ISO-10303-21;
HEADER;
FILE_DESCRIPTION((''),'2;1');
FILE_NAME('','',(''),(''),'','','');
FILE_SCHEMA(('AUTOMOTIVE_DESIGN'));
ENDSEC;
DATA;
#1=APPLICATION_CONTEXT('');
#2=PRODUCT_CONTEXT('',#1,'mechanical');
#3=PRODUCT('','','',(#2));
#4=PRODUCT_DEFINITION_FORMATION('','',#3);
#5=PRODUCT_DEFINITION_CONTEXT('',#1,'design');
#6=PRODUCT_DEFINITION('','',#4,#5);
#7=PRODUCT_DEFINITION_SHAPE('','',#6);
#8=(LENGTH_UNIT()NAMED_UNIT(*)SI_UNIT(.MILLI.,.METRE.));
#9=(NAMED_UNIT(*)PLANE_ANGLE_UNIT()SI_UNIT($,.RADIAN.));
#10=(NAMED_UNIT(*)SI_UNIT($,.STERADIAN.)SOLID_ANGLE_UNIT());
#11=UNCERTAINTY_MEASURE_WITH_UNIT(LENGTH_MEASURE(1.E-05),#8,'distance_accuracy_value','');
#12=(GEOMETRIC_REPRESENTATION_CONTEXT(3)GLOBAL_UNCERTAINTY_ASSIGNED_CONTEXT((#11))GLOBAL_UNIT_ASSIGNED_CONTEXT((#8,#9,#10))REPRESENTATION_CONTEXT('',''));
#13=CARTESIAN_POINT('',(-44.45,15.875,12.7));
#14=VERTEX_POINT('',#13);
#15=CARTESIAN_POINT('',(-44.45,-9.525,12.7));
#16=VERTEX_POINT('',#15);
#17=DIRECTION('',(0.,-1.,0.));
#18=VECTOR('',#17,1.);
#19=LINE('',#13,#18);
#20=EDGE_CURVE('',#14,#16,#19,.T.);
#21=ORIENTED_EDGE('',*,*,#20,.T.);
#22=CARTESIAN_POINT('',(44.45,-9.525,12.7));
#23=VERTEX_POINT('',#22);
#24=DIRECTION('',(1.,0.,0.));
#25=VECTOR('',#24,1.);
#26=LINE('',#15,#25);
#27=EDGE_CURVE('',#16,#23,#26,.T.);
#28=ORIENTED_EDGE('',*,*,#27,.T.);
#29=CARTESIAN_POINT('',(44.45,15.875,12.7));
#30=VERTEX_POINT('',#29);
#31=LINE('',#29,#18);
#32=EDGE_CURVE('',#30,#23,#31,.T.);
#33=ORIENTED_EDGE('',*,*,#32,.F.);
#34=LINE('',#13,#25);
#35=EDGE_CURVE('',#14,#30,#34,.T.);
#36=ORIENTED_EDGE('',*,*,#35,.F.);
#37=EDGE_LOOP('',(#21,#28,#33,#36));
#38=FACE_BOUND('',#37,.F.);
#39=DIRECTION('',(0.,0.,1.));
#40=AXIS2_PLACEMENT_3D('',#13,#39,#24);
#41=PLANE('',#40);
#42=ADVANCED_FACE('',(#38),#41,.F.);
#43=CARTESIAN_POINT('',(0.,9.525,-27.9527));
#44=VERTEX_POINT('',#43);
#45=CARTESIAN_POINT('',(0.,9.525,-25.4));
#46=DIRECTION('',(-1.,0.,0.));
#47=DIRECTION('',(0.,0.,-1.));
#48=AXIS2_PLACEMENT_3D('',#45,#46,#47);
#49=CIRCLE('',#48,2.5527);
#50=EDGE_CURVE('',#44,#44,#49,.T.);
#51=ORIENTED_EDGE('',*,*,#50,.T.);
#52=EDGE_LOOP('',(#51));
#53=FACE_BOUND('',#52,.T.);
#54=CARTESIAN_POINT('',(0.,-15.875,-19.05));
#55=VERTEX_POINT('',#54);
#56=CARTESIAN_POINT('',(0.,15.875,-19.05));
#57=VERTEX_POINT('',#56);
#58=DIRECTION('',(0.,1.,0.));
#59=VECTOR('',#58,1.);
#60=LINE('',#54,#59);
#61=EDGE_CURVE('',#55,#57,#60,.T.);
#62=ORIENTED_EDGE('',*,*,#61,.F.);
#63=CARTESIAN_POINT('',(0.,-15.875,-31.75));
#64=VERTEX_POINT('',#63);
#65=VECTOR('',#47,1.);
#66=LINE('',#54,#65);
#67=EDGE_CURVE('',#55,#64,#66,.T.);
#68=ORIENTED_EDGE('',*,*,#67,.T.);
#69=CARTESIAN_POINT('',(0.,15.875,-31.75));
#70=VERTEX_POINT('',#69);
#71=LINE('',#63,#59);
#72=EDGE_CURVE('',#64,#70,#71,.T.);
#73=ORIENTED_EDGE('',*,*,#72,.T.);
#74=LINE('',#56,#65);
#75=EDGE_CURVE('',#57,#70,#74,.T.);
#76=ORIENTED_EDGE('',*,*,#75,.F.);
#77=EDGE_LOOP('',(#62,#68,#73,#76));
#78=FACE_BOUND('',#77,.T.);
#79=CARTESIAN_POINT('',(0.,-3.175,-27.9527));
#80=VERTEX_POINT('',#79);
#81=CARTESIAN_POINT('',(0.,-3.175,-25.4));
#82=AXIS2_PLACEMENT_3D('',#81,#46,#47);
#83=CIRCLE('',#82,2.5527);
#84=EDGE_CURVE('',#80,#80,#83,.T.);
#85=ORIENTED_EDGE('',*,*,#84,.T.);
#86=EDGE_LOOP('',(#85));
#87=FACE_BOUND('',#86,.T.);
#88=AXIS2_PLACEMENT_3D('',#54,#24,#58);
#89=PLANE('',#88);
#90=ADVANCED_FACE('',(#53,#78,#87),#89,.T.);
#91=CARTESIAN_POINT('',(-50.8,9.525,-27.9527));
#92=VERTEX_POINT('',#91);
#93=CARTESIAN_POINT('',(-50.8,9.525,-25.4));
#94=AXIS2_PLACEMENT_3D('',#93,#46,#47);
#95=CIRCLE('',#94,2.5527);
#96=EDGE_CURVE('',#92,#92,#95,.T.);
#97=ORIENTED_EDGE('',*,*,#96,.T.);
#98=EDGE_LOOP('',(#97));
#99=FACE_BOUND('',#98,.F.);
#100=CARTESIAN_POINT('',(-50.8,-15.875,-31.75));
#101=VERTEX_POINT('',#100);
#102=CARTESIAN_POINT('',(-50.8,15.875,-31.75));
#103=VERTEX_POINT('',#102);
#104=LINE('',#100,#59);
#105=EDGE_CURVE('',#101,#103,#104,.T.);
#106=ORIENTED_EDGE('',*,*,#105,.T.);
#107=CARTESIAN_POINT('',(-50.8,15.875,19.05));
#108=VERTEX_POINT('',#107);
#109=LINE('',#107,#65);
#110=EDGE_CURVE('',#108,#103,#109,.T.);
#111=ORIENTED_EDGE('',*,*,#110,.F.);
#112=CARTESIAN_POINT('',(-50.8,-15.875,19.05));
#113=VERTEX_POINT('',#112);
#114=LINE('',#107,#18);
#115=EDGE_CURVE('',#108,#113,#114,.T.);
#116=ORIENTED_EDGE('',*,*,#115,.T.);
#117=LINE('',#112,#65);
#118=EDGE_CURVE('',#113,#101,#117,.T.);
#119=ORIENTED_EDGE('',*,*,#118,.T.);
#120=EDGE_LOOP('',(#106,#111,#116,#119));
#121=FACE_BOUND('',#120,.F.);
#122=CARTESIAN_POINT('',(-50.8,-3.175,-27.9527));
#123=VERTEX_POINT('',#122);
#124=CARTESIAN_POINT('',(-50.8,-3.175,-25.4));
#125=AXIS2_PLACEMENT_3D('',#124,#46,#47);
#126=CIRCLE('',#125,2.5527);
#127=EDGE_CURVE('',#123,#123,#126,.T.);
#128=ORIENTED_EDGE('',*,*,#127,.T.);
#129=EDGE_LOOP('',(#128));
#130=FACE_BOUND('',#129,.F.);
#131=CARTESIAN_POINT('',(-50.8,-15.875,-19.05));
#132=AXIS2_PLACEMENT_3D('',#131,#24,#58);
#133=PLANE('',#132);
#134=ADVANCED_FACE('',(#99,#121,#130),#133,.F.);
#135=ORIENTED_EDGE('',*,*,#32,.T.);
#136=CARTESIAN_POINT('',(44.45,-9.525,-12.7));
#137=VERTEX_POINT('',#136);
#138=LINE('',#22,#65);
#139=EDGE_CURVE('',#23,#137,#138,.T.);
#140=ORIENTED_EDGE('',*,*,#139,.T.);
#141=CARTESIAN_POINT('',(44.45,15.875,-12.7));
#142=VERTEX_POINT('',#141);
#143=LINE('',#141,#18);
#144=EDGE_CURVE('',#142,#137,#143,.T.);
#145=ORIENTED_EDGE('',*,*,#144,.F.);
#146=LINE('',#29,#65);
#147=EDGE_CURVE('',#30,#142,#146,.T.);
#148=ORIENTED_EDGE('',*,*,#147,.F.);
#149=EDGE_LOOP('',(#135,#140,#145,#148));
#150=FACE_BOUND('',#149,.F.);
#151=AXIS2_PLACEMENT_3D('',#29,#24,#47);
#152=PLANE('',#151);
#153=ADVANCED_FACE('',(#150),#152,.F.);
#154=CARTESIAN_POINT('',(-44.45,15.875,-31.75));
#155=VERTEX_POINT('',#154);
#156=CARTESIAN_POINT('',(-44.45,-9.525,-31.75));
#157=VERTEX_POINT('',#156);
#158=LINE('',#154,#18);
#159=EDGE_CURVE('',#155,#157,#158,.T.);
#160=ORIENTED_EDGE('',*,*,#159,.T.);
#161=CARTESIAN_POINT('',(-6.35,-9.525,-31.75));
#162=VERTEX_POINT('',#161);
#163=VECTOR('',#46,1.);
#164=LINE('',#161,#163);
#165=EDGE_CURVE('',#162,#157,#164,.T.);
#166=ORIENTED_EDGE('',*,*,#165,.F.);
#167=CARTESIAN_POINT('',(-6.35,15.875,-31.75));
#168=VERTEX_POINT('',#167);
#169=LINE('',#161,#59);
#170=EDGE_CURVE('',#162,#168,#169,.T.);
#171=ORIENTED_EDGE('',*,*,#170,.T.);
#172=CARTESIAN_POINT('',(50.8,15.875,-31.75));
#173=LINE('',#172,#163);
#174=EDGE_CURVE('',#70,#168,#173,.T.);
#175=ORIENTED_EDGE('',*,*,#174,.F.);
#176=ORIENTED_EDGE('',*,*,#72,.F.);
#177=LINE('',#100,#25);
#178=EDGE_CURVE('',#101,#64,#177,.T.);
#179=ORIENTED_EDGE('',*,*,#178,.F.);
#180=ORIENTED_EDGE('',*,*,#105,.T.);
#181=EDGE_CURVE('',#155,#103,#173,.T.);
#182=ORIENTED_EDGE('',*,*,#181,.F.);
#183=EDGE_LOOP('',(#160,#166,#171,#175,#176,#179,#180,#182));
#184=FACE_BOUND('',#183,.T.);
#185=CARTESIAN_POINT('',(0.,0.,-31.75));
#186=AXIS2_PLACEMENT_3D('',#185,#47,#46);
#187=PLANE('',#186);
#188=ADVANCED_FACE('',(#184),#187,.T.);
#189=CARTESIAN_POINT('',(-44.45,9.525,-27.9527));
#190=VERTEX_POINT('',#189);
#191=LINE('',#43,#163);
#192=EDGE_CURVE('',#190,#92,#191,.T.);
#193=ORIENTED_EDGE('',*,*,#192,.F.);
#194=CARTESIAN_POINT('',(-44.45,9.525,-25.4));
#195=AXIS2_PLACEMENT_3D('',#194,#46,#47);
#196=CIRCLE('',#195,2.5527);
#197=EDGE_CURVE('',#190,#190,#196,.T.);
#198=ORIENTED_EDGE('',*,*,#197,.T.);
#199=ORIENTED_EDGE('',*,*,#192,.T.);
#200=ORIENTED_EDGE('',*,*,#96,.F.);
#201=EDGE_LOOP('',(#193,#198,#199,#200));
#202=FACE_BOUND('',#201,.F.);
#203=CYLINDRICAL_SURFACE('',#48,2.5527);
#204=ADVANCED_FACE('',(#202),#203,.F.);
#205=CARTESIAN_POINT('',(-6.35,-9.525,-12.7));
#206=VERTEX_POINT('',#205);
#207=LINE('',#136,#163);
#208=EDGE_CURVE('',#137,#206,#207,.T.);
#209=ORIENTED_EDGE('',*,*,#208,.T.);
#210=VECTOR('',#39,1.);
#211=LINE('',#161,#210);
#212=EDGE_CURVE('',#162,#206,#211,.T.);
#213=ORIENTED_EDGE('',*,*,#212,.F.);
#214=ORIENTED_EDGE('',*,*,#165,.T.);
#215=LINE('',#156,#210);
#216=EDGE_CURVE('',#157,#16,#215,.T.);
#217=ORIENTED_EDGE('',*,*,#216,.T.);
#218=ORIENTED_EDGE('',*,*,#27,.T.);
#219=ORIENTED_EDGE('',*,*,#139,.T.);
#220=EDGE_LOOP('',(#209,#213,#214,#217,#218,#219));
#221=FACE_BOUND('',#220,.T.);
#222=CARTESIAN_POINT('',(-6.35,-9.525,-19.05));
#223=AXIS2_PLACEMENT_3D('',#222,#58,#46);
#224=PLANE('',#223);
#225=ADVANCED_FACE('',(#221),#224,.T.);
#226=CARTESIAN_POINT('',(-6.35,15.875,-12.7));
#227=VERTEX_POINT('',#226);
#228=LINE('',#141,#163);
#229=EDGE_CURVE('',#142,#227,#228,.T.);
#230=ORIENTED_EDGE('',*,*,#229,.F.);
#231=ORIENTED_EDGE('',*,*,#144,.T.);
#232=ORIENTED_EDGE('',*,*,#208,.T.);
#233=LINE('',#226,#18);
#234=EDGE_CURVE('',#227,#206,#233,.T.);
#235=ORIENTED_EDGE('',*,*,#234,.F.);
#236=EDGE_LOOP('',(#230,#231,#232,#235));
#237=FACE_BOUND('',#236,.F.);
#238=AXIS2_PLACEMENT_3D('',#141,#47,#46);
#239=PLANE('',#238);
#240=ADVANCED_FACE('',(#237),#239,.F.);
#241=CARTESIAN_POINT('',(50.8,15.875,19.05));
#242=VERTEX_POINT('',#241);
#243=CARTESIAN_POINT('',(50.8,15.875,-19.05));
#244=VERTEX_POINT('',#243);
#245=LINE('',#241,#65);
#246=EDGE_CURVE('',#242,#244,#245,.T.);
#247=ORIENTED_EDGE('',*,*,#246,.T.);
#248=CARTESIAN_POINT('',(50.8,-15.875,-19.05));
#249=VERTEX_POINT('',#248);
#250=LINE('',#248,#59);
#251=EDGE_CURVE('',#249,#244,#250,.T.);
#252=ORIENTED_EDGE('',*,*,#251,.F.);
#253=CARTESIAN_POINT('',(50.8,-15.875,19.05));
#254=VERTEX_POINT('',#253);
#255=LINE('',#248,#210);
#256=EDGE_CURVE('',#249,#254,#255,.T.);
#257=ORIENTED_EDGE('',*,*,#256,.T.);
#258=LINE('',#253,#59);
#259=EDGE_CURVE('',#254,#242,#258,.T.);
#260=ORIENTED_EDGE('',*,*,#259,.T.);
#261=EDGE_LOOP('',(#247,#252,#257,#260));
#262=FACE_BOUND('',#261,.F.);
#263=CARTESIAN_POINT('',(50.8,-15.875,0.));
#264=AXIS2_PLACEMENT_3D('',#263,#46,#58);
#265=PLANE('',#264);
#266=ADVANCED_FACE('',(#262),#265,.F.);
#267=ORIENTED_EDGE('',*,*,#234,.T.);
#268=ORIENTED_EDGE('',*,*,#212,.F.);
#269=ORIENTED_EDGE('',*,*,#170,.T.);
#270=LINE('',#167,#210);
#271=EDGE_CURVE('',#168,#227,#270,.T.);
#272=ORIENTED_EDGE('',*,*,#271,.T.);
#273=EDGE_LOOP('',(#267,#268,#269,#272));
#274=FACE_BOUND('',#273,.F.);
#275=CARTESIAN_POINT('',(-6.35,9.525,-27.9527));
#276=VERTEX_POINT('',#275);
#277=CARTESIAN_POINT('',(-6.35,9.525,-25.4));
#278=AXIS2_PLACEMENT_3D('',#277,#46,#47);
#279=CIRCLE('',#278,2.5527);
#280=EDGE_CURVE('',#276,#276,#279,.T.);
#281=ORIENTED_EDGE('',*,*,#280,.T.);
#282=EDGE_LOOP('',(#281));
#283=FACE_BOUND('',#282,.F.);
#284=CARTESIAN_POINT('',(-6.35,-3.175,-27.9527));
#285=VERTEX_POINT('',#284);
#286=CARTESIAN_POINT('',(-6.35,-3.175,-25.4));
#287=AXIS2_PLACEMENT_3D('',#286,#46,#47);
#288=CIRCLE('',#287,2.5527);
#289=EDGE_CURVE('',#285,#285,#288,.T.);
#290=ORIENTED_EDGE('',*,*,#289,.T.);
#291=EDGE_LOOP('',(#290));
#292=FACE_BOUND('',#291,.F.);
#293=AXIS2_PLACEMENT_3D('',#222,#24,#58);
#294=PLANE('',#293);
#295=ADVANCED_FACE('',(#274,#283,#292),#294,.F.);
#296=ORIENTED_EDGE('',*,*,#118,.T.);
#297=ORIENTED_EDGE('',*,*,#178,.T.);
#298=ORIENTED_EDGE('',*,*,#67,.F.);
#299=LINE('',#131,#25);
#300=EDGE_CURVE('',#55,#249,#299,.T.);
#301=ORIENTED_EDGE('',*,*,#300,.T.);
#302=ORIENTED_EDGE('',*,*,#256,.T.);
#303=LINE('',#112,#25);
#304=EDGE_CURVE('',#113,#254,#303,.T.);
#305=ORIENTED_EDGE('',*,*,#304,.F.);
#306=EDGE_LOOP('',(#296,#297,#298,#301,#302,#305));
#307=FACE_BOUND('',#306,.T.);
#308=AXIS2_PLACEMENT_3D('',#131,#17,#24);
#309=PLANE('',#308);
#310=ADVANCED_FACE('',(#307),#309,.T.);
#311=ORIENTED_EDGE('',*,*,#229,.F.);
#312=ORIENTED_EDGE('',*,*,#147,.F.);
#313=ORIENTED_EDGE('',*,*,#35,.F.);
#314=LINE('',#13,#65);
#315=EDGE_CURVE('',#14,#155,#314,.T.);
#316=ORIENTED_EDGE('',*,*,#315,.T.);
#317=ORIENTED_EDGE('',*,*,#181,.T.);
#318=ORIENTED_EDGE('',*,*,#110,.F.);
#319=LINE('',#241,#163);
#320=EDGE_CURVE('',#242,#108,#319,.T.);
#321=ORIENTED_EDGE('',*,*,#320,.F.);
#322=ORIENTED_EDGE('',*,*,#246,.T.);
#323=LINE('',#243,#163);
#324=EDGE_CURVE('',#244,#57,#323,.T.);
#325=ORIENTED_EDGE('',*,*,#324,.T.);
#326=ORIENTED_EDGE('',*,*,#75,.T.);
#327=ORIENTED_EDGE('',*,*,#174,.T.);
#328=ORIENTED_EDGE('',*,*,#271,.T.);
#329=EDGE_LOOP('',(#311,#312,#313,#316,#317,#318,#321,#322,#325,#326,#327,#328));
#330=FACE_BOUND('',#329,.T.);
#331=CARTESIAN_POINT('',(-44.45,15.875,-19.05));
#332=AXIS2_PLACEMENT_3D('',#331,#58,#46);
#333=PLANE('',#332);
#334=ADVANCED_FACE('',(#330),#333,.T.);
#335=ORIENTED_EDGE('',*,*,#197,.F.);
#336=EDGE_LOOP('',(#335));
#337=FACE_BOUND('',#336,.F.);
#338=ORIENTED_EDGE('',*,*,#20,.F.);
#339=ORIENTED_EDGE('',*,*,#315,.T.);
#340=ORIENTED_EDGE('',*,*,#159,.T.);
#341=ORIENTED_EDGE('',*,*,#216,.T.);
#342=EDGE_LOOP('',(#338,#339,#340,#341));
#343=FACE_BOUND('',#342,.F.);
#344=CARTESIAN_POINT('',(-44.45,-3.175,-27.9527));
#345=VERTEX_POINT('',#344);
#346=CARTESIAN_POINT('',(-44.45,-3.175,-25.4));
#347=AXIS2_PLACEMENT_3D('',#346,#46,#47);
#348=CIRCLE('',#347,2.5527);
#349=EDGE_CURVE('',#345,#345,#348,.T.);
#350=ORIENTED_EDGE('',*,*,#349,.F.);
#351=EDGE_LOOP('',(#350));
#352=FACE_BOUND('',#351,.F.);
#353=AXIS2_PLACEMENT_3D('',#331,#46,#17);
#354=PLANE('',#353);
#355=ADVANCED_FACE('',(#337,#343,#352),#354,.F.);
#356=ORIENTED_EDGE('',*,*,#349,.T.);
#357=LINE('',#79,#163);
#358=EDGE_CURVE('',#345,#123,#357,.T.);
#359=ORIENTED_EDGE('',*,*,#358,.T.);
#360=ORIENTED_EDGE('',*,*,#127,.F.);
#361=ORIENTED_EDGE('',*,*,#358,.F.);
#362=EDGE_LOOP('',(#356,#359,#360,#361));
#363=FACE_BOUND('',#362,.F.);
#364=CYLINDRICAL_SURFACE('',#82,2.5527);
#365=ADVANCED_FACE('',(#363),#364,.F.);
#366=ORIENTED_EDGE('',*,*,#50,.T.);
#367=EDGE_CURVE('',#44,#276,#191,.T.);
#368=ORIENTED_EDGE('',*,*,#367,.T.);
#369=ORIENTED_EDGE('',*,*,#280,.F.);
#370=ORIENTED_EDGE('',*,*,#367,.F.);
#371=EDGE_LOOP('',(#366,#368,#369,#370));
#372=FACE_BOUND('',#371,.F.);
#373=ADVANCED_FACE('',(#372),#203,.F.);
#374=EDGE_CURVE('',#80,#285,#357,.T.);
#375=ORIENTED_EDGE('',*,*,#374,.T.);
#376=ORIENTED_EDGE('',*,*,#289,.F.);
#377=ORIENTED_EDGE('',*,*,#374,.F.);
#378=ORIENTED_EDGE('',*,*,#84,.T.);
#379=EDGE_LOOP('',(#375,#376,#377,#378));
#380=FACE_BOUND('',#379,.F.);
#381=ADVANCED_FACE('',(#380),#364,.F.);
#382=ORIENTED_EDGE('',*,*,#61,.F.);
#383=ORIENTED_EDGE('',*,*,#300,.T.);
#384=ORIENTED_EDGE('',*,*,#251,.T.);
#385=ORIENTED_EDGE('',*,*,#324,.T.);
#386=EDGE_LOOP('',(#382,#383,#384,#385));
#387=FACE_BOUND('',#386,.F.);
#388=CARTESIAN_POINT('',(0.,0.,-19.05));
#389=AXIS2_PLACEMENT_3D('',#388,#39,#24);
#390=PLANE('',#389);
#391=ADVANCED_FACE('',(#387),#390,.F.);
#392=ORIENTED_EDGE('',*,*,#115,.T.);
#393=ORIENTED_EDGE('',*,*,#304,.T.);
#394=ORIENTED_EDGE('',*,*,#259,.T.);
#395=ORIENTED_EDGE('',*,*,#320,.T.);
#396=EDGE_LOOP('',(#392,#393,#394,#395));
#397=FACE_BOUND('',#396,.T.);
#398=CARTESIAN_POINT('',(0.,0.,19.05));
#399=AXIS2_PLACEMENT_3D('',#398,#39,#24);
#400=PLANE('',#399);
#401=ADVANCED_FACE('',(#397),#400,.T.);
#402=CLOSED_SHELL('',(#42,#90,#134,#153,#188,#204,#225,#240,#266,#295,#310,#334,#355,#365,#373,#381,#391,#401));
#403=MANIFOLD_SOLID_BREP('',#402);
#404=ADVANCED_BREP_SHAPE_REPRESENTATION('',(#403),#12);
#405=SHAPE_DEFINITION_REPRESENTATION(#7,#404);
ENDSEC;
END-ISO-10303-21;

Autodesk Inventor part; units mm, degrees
ref_plane "XZ Plane" through (0, 0, 0) normal (0, 1, 0) x (-1, 0, 0)
ref_plane "XY Plane" through (0, 0, 0) normal (0, 0, 1) x (1, 0, 0)
sketch "Sketch1" plane through (0, 0, 0) normal (0, 0, 1) x (1, 0, 0)
  line L0 (-50.8, -15.875) -> (50.8, -15.875)
  line L1 (50.8, -15.875) -> (50.8, 15.875)
  line L2 (50.8, 15.875) -> (-50.8, 15.875)
  line L3 (-50.8, 15.875) -> (-50.8, -15.875)
  line L4 (-50.8, -15.875) -> (50.8, 15.875) construction
  line L5 (50.8, -15.875) -> (-50.8, 15.875) construction
  point P0 (0, 0)
  dimension "d0" = 101.6
  dimension "d1" = 31.75
extrude "Extrusion1" add sketch "Sketch1" along normal mid plane 38.1
sketch "Sketch3" plane through (-50.8, 15.875, 19.05) normal (0, 1, 0) x (1, 0, 0)
  line L0 (95.25, 6.35) -> (95.25, 31.75)
  line L1 (95.25, 31.75) -> (6.35, 31.75)
  line L2 (6.35, 31.75) -> (6.35, 6.35)
  line L3 (6.35, 6.35) -> (95.25, 6.35)
  line L4 (95.25, 6.35) -> (6.35, 31.75) construction
  line L5 (95.25, 31.75) -> (6.35, 6.35) construction
  line L6 (0, 38.1) -> (0, 0) projected
  line L7 (0, 38.1) -> (101.6, 38.1) projected
  point P0 (50.8, 19.05)
  dimension "d4" = 6.35
  dimension "d5" = 6.35
extrude "Extrusion2" cut sketch "Sketch3" against normal blind 25.4
sketch "Sketch8" plane through (-44.45, 15.875, -12.7) normal (0, 0, 1) x (1, 0, 0)
  line L0 (88.9, 0) -> (0, 0) projected
  line L1 (0, 0) -> (38.1, 0)
  line L2 (38.1, 0) -> (38.1, -25.4)
  line L3 (38.1, -25.4) -> (0, -25.4)
  line L4 (0, -25.4) -> (0, 0)
  point P0 (44.45, -15.875)
  dimension "d14" = 38.1
  dimension "d15" = 25.4
extrude "Extrusion5" cut sketch "Sketch8" against normal through all
sketch "Sketch9" plane through (0, 0, -19.05) normal (0, 0, -1) x (-1, 0, 0)
  line L0 (50.8, -15.875) -> (50.8, 15.875) projected
  line L1 (50.8, 15.875) -> (50.8, -15.875)
  line L2 (50.8, -15.875) -> (0, -15.875)
  line L3 (-50.8, -15.875) -> (50.8, -15.875) projected
  line L4 (0, -15.875) -> (0, 15.875)
  line L5 (-50.8, 15.875) -> (50.8, 15.875) projected
  line L6 (6.35, -9.525) -> (6.35, 15.875) projected
  line L7 (6.35, 15.875) -> (6.35, -9.525)
  line L8 (44.45, 15.875) -> (44.45, -9.525) projected
  line L9 (6.35, -9.525) -> (44.45, -9.525)
  line L10 (44.45, -9.525) -> (44.45, 15.875)
  line L11 (44.45, 15.875) -> (50.8, 15.875)
  point P0 (0, 0)
  dimension "d18" = 50.8
extrude "Extrusion6" add sketch "Sketch9" along normal blind 12.7 contours L2 L4 L5 L6 L9 L8 L0
sketch "Sketch10" plane through (0, -15.875, -19.05) normal (1, 0, 0) x (0, 0, -1)
  line L0 (12.7, 31.75) -> (-38.1, 31.75) construction
  line L1 (6.35, 31.75) -> (6.35, 0) construction
  line L2 (-38.1, 0) -> (12.7, 0) construction
  line L3 (12.7, 31.75) -> (12.7, 0) construction
  point P0 (-19.05, 15.875)
  point P1 (6.35, 25.4)
  point P2 (6.35, 12.7)
  dimension "d21" = 6.35
  dimension "d22" = 6.35
  dimension "d32" = 12.7
hole "Hole1" at (0, 9.525, -25.4) at (0, -3.175, -25.4) direction (-1, 0, 0) diameter 5.1054 end through all clearance for "Flat Head Machine Screw (82)" size "#10" standard "Ansi Unified Screw Threads"
properties part number "hookSupport" material "PBT Plastic"
